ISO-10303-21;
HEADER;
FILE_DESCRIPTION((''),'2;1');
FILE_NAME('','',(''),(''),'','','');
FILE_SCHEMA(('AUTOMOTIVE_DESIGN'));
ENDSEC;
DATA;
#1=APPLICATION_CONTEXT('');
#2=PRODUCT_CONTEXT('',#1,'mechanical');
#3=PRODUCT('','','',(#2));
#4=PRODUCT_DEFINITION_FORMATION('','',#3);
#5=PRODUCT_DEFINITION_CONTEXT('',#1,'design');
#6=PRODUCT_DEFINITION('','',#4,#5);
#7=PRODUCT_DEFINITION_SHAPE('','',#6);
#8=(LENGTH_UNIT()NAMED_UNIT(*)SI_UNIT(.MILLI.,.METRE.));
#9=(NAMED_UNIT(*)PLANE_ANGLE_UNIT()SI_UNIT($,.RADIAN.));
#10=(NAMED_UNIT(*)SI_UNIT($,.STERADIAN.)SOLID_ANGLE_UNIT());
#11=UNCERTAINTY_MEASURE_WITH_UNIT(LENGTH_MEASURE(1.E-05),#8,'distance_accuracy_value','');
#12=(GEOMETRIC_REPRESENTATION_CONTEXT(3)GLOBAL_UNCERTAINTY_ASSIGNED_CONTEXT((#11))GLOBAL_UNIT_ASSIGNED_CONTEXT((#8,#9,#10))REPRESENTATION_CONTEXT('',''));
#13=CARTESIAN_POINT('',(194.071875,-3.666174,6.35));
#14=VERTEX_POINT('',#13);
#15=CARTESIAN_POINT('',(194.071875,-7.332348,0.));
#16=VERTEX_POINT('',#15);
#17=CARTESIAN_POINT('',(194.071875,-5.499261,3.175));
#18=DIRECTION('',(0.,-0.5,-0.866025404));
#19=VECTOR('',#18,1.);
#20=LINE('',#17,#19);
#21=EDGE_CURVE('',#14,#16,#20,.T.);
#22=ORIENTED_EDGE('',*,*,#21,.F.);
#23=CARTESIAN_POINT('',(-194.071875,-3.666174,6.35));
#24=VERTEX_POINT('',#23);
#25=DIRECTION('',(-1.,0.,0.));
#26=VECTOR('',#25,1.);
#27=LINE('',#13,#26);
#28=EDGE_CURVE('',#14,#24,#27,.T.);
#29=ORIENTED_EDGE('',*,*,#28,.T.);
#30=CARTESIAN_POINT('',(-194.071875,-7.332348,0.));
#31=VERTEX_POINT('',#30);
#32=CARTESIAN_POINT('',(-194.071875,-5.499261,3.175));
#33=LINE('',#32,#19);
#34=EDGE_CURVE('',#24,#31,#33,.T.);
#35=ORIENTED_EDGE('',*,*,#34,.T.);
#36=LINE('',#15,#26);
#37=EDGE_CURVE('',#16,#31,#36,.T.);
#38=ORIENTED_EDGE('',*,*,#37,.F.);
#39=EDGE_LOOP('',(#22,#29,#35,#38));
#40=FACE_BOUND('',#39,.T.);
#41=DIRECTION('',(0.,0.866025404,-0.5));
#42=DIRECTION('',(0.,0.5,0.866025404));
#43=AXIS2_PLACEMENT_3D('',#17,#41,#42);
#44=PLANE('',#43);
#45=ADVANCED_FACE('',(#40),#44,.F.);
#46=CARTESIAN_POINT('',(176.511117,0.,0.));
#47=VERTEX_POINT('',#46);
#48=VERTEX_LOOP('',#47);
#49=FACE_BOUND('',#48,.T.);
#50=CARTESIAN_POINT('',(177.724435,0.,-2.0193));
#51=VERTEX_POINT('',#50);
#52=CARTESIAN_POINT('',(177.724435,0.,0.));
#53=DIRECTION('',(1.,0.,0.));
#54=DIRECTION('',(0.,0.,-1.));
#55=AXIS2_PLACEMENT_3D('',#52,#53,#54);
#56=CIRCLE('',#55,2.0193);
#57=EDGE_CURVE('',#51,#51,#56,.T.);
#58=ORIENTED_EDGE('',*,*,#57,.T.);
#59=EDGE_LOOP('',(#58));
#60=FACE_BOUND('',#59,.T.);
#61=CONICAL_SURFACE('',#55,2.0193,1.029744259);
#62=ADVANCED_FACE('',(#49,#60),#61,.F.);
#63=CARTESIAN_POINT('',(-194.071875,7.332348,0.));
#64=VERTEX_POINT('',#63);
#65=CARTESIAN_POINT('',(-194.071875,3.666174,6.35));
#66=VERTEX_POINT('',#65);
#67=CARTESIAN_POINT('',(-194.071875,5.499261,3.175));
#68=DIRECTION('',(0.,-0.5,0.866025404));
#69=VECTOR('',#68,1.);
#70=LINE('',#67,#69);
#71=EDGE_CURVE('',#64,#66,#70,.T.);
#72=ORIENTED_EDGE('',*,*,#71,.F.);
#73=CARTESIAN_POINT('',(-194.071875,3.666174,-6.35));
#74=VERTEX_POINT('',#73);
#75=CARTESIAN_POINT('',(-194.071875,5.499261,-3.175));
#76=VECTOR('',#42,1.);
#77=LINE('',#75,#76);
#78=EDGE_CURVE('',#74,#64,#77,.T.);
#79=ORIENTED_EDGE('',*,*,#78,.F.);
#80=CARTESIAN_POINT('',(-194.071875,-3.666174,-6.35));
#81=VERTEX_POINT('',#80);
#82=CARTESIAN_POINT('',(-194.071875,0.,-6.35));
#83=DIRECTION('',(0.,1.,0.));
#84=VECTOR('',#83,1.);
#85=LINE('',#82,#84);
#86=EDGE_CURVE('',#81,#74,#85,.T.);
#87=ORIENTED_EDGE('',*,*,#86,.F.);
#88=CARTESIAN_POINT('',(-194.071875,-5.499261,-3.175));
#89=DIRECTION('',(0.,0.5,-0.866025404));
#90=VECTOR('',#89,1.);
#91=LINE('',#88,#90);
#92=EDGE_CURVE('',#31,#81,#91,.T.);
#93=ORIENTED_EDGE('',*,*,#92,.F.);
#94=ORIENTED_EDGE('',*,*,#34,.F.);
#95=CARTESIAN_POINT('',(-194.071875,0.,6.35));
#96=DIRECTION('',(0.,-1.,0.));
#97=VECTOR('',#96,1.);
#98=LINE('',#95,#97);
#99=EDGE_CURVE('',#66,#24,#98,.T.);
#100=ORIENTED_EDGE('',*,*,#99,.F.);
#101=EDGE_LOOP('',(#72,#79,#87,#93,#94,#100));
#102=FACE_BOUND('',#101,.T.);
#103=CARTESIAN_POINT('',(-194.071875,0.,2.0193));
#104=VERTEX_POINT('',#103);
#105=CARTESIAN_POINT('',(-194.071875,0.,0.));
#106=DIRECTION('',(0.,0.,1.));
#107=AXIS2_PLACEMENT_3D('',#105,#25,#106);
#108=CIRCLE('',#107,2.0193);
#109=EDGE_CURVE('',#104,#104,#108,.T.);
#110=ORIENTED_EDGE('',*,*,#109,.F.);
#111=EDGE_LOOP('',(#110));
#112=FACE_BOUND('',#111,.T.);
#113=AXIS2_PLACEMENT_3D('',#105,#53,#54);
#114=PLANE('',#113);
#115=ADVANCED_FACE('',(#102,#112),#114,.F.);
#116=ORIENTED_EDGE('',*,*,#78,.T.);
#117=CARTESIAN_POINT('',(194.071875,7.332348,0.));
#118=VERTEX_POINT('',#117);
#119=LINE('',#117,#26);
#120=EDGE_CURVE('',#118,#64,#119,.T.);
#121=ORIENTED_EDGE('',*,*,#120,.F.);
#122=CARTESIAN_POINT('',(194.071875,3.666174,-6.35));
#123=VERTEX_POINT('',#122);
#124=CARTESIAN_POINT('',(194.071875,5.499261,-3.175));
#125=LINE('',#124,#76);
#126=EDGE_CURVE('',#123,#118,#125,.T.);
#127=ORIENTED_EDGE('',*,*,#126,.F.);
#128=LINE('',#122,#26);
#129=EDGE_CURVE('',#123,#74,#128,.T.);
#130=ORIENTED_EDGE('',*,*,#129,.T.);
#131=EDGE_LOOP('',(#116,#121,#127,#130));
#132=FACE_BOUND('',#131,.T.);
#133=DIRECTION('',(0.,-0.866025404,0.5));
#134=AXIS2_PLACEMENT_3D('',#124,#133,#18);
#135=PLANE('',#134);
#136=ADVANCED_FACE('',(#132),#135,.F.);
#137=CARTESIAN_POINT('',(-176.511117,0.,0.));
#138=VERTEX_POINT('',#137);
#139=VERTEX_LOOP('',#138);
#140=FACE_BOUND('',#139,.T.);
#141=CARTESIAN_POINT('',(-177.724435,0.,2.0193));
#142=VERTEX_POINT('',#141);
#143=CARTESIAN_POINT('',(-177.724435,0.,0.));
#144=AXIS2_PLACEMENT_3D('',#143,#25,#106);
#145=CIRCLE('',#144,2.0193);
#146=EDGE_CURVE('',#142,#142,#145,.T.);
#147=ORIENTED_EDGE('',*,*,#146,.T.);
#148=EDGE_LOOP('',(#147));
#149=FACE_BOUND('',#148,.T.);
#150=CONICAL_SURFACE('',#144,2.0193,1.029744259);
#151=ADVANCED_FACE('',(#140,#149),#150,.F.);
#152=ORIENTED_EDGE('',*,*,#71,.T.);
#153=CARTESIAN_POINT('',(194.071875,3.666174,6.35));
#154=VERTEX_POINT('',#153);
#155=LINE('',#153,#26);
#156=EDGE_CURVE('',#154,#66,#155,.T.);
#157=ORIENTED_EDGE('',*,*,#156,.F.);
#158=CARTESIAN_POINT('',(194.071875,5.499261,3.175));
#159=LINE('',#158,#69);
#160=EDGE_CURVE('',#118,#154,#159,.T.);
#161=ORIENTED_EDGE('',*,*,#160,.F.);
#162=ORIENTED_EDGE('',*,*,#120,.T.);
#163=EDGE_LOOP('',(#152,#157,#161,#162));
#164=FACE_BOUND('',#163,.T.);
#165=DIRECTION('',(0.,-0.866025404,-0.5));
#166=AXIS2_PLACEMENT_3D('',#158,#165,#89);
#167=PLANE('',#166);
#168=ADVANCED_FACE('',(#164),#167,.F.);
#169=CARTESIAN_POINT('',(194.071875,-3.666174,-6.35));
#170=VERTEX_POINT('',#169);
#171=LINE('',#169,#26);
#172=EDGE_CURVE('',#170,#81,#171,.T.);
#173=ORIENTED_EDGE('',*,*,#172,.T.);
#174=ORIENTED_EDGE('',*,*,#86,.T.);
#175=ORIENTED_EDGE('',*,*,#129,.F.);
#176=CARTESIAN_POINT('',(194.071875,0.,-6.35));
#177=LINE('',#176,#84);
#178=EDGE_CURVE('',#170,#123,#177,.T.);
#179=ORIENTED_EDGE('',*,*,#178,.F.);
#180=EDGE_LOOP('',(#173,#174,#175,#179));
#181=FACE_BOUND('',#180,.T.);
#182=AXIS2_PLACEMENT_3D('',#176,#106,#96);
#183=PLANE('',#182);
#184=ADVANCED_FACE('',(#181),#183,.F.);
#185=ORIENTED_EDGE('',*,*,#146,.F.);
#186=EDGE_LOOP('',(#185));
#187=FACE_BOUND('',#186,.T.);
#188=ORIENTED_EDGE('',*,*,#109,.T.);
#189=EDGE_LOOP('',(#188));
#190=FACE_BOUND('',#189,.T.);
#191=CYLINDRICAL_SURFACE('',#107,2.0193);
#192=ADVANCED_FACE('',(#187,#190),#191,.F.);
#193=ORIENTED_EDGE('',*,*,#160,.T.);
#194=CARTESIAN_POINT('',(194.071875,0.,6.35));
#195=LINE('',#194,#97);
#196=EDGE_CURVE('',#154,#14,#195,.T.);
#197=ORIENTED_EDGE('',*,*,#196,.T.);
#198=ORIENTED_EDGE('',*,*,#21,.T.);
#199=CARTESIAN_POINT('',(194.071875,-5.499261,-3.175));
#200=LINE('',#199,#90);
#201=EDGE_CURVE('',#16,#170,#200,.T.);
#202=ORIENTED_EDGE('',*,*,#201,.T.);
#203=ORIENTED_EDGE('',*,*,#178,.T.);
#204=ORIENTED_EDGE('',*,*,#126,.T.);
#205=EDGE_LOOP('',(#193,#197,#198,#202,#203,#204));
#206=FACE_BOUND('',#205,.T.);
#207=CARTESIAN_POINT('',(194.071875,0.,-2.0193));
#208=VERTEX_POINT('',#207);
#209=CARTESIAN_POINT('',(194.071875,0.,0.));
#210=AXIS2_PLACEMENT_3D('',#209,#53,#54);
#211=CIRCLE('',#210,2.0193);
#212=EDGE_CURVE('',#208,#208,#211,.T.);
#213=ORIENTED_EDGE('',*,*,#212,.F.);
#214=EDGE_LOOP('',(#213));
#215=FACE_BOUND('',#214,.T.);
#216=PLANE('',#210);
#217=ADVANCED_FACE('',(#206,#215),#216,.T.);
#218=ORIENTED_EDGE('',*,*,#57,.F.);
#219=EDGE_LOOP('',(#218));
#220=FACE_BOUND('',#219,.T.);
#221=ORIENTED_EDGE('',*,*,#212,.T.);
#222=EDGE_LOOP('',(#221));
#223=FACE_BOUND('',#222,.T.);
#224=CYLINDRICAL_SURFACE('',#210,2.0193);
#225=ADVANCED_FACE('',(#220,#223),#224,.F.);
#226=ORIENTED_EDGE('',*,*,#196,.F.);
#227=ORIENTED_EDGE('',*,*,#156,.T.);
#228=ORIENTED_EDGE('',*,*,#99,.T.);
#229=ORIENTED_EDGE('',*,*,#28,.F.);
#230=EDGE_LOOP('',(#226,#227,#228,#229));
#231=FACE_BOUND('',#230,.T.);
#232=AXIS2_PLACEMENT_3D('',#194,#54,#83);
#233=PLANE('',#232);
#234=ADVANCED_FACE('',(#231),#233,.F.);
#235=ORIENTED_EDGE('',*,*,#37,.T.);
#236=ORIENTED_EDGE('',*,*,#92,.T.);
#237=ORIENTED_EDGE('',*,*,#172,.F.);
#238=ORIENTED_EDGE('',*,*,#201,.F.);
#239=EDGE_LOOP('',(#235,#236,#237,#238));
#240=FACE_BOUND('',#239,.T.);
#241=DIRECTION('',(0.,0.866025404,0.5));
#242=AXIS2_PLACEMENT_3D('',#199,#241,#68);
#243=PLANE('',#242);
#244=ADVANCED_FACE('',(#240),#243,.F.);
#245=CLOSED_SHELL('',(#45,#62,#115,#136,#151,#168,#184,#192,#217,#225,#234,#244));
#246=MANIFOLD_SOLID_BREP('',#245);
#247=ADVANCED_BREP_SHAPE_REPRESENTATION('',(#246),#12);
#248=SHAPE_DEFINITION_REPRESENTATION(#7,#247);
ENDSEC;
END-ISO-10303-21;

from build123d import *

# Parameters (mm, degrees)
BOSS_EXTRUDE1_DEPTH                  = 194.071875
F_10_32_TAPPED_HOLE1_D               = 4.0386
F_10_32_TAPPED_HOLE1_DEPTH           = 16.34744
F_10_32_TAPPED_HOLE1_TIP             = 1.213317848
F_10_32_TAPPED_HOLE1_ON_FACE_2_D     = 4.0386
F_10_32_TAPPED_HOLE1_ON_FACE_2_DEPTH = 16.34744
F_10_32_TAPPED_HOLE1_ON_FACE_2_TIP   = 1.213317848


with BuildPart() as part:
    # Sketch1 → Boss-Extrude1 (new, symmetric)
    with BuildSketch(Plane(origin=(0, 0, 0), x_dir=(0, 0, -1), z_dir=(1, 0, 0))):
        Polygon((0, 7.332348419), (-6.35, 3.666174209), (-6.35, -3.666174209), (0, -7.332348419), (6.35, -3.666174209), (6.35, 3.666174209), align=None)
    extrude(amount=BOSS_EXTRUDE1_DEPTH, both=True)

    # #10-32 Tapped Hole1
    with Locations(Plane(origin=(194.071875, 0, 0), x_dir=(0, 0, 1), z_dir=(1, 0, 0))):
        with Locations((0, 0)):
            Hole(F_10_32_TAPPED_HOLE1_D / 2, depth=F_10_32_TAPPED_HOLE1_DEPTH)
            with Locations((0, 0, -(F_10_32_TAPPED_HOLE1_DEPTH + F_10_32_TAPPED_HOLE1_TIP / 2))):  # 118° drill point
                Cone(0, F_10_32_TAPPED_HOLE1_D / 2, F_10_32_TAPPED_HOLE1_TIP, mode=Mode.SUBTRACT)

    # #10-32 Tapped Hole1 on face 2
    with Locations(Plane(origin=(-194.071875, 0, 0), x_dir=(0, 0, -1), z_dir=(-1, 0, 0))):
        with Locations((0, 0)):
            Hole(F_10_32_TAPPED_HOLE1_ON_FACE_2_D / 2, depth=F_10_32_TAPPED_HOLE1_ON_FACE_2_DEPTH)
            with Locations((0, 0, -(F_10_32_TAPPED_HOLE1_ON_FACE_2_DEPTH + F_10_32_TAPPED_HOLE1_ON_FACE_2_TIP / 2))):  # 118° drill point
                Cone(0, F_10_32_TAPPED_HOLE1_ON_FACE_2_D / 2, F_10_32_TAPPED_HOLE1_ON_FACE_2_TIP, mode=Mode.SUBTRACT)


solid = part.part
